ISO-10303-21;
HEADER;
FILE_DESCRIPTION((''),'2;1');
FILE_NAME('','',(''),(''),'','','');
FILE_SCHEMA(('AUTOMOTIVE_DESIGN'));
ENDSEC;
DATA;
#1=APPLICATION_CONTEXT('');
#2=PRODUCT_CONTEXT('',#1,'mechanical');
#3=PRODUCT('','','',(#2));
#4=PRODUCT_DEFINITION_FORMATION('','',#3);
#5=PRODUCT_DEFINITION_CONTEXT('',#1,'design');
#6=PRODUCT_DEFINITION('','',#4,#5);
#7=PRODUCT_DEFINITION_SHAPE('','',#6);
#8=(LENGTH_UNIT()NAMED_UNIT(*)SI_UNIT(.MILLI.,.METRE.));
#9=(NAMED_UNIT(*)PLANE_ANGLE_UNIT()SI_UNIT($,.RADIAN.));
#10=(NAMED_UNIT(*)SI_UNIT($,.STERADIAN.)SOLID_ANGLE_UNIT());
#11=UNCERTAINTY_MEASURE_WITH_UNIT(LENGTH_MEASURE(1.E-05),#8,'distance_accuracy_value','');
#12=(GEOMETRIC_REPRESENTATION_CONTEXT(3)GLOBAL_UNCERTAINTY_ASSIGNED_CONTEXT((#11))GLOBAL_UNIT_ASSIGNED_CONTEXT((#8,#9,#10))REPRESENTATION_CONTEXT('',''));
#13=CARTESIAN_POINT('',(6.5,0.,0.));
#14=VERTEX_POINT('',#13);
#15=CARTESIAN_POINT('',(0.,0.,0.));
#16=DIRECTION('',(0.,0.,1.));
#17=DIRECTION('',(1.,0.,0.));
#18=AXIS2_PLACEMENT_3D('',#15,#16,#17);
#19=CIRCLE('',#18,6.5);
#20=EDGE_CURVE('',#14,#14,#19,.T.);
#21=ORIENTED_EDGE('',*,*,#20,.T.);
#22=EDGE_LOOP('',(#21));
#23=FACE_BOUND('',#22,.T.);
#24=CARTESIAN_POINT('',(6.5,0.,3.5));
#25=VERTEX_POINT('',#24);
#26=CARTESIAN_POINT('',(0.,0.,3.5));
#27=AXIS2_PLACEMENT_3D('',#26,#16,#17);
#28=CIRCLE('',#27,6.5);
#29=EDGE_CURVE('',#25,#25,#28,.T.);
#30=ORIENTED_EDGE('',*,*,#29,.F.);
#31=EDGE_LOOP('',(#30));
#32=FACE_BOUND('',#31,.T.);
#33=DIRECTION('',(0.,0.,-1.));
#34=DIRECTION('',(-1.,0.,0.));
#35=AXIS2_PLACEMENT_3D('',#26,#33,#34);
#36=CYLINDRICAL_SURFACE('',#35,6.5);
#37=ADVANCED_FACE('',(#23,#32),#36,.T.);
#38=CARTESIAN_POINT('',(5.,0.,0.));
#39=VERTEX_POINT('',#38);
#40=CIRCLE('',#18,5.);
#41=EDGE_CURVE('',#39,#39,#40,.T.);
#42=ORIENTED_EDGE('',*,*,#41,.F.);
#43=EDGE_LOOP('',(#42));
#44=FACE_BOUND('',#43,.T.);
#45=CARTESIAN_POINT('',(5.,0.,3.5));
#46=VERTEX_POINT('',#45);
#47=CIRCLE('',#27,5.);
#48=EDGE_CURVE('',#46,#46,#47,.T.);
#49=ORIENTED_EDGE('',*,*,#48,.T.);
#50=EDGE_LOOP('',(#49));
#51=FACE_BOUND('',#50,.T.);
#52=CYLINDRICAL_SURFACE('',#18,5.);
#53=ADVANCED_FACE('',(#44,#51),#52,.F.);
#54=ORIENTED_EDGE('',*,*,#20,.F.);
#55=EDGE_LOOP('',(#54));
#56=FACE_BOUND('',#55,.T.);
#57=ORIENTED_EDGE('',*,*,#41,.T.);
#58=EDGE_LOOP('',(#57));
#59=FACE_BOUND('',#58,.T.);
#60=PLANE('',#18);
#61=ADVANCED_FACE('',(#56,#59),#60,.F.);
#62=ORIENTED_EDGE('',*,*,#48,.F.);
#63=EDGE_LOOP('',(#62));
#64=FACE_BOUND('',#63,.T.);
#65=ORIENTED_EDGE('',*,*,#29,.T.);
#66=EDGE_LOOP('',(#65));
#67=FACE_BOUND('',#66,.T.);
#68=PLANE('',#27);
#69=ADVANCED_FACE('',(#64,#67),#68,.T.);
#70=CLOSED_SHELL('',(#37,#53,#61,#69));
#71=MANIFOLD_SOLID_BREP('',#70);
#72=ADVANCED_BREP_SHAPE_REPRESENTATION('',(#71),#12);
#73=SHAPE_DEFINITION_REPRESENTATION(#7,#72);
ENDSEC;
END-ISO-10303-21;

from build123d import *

# Parameters (mm, degrees)
SKETCH1_R           = 6.5
BOSS_EXTRUDE1_DEPTH = 3.5
SKETCH5_R           = 5
CUT_EXTRUDE3_DEPTH  = 3.5


with BuildPart() as part:
    # Sketch1 → Boss-Extrude1 (new body)
    with BuildSketch(Plane.XY):
        Circle(SKETCH1_R)
    extrude(amount=BOSS_EXTRUDE1_DEPTH)

    # Sketch5 → Cut-Extrude3 (cut)
    with BuildSketch(Plane.XY.offset(3.5)):
        Circle(SKETCH5_R)
    extrude(amount=-CUT_EXTRUDE3_DEPTH, mode=Mode.SUBTRACT)


solid = part.part
